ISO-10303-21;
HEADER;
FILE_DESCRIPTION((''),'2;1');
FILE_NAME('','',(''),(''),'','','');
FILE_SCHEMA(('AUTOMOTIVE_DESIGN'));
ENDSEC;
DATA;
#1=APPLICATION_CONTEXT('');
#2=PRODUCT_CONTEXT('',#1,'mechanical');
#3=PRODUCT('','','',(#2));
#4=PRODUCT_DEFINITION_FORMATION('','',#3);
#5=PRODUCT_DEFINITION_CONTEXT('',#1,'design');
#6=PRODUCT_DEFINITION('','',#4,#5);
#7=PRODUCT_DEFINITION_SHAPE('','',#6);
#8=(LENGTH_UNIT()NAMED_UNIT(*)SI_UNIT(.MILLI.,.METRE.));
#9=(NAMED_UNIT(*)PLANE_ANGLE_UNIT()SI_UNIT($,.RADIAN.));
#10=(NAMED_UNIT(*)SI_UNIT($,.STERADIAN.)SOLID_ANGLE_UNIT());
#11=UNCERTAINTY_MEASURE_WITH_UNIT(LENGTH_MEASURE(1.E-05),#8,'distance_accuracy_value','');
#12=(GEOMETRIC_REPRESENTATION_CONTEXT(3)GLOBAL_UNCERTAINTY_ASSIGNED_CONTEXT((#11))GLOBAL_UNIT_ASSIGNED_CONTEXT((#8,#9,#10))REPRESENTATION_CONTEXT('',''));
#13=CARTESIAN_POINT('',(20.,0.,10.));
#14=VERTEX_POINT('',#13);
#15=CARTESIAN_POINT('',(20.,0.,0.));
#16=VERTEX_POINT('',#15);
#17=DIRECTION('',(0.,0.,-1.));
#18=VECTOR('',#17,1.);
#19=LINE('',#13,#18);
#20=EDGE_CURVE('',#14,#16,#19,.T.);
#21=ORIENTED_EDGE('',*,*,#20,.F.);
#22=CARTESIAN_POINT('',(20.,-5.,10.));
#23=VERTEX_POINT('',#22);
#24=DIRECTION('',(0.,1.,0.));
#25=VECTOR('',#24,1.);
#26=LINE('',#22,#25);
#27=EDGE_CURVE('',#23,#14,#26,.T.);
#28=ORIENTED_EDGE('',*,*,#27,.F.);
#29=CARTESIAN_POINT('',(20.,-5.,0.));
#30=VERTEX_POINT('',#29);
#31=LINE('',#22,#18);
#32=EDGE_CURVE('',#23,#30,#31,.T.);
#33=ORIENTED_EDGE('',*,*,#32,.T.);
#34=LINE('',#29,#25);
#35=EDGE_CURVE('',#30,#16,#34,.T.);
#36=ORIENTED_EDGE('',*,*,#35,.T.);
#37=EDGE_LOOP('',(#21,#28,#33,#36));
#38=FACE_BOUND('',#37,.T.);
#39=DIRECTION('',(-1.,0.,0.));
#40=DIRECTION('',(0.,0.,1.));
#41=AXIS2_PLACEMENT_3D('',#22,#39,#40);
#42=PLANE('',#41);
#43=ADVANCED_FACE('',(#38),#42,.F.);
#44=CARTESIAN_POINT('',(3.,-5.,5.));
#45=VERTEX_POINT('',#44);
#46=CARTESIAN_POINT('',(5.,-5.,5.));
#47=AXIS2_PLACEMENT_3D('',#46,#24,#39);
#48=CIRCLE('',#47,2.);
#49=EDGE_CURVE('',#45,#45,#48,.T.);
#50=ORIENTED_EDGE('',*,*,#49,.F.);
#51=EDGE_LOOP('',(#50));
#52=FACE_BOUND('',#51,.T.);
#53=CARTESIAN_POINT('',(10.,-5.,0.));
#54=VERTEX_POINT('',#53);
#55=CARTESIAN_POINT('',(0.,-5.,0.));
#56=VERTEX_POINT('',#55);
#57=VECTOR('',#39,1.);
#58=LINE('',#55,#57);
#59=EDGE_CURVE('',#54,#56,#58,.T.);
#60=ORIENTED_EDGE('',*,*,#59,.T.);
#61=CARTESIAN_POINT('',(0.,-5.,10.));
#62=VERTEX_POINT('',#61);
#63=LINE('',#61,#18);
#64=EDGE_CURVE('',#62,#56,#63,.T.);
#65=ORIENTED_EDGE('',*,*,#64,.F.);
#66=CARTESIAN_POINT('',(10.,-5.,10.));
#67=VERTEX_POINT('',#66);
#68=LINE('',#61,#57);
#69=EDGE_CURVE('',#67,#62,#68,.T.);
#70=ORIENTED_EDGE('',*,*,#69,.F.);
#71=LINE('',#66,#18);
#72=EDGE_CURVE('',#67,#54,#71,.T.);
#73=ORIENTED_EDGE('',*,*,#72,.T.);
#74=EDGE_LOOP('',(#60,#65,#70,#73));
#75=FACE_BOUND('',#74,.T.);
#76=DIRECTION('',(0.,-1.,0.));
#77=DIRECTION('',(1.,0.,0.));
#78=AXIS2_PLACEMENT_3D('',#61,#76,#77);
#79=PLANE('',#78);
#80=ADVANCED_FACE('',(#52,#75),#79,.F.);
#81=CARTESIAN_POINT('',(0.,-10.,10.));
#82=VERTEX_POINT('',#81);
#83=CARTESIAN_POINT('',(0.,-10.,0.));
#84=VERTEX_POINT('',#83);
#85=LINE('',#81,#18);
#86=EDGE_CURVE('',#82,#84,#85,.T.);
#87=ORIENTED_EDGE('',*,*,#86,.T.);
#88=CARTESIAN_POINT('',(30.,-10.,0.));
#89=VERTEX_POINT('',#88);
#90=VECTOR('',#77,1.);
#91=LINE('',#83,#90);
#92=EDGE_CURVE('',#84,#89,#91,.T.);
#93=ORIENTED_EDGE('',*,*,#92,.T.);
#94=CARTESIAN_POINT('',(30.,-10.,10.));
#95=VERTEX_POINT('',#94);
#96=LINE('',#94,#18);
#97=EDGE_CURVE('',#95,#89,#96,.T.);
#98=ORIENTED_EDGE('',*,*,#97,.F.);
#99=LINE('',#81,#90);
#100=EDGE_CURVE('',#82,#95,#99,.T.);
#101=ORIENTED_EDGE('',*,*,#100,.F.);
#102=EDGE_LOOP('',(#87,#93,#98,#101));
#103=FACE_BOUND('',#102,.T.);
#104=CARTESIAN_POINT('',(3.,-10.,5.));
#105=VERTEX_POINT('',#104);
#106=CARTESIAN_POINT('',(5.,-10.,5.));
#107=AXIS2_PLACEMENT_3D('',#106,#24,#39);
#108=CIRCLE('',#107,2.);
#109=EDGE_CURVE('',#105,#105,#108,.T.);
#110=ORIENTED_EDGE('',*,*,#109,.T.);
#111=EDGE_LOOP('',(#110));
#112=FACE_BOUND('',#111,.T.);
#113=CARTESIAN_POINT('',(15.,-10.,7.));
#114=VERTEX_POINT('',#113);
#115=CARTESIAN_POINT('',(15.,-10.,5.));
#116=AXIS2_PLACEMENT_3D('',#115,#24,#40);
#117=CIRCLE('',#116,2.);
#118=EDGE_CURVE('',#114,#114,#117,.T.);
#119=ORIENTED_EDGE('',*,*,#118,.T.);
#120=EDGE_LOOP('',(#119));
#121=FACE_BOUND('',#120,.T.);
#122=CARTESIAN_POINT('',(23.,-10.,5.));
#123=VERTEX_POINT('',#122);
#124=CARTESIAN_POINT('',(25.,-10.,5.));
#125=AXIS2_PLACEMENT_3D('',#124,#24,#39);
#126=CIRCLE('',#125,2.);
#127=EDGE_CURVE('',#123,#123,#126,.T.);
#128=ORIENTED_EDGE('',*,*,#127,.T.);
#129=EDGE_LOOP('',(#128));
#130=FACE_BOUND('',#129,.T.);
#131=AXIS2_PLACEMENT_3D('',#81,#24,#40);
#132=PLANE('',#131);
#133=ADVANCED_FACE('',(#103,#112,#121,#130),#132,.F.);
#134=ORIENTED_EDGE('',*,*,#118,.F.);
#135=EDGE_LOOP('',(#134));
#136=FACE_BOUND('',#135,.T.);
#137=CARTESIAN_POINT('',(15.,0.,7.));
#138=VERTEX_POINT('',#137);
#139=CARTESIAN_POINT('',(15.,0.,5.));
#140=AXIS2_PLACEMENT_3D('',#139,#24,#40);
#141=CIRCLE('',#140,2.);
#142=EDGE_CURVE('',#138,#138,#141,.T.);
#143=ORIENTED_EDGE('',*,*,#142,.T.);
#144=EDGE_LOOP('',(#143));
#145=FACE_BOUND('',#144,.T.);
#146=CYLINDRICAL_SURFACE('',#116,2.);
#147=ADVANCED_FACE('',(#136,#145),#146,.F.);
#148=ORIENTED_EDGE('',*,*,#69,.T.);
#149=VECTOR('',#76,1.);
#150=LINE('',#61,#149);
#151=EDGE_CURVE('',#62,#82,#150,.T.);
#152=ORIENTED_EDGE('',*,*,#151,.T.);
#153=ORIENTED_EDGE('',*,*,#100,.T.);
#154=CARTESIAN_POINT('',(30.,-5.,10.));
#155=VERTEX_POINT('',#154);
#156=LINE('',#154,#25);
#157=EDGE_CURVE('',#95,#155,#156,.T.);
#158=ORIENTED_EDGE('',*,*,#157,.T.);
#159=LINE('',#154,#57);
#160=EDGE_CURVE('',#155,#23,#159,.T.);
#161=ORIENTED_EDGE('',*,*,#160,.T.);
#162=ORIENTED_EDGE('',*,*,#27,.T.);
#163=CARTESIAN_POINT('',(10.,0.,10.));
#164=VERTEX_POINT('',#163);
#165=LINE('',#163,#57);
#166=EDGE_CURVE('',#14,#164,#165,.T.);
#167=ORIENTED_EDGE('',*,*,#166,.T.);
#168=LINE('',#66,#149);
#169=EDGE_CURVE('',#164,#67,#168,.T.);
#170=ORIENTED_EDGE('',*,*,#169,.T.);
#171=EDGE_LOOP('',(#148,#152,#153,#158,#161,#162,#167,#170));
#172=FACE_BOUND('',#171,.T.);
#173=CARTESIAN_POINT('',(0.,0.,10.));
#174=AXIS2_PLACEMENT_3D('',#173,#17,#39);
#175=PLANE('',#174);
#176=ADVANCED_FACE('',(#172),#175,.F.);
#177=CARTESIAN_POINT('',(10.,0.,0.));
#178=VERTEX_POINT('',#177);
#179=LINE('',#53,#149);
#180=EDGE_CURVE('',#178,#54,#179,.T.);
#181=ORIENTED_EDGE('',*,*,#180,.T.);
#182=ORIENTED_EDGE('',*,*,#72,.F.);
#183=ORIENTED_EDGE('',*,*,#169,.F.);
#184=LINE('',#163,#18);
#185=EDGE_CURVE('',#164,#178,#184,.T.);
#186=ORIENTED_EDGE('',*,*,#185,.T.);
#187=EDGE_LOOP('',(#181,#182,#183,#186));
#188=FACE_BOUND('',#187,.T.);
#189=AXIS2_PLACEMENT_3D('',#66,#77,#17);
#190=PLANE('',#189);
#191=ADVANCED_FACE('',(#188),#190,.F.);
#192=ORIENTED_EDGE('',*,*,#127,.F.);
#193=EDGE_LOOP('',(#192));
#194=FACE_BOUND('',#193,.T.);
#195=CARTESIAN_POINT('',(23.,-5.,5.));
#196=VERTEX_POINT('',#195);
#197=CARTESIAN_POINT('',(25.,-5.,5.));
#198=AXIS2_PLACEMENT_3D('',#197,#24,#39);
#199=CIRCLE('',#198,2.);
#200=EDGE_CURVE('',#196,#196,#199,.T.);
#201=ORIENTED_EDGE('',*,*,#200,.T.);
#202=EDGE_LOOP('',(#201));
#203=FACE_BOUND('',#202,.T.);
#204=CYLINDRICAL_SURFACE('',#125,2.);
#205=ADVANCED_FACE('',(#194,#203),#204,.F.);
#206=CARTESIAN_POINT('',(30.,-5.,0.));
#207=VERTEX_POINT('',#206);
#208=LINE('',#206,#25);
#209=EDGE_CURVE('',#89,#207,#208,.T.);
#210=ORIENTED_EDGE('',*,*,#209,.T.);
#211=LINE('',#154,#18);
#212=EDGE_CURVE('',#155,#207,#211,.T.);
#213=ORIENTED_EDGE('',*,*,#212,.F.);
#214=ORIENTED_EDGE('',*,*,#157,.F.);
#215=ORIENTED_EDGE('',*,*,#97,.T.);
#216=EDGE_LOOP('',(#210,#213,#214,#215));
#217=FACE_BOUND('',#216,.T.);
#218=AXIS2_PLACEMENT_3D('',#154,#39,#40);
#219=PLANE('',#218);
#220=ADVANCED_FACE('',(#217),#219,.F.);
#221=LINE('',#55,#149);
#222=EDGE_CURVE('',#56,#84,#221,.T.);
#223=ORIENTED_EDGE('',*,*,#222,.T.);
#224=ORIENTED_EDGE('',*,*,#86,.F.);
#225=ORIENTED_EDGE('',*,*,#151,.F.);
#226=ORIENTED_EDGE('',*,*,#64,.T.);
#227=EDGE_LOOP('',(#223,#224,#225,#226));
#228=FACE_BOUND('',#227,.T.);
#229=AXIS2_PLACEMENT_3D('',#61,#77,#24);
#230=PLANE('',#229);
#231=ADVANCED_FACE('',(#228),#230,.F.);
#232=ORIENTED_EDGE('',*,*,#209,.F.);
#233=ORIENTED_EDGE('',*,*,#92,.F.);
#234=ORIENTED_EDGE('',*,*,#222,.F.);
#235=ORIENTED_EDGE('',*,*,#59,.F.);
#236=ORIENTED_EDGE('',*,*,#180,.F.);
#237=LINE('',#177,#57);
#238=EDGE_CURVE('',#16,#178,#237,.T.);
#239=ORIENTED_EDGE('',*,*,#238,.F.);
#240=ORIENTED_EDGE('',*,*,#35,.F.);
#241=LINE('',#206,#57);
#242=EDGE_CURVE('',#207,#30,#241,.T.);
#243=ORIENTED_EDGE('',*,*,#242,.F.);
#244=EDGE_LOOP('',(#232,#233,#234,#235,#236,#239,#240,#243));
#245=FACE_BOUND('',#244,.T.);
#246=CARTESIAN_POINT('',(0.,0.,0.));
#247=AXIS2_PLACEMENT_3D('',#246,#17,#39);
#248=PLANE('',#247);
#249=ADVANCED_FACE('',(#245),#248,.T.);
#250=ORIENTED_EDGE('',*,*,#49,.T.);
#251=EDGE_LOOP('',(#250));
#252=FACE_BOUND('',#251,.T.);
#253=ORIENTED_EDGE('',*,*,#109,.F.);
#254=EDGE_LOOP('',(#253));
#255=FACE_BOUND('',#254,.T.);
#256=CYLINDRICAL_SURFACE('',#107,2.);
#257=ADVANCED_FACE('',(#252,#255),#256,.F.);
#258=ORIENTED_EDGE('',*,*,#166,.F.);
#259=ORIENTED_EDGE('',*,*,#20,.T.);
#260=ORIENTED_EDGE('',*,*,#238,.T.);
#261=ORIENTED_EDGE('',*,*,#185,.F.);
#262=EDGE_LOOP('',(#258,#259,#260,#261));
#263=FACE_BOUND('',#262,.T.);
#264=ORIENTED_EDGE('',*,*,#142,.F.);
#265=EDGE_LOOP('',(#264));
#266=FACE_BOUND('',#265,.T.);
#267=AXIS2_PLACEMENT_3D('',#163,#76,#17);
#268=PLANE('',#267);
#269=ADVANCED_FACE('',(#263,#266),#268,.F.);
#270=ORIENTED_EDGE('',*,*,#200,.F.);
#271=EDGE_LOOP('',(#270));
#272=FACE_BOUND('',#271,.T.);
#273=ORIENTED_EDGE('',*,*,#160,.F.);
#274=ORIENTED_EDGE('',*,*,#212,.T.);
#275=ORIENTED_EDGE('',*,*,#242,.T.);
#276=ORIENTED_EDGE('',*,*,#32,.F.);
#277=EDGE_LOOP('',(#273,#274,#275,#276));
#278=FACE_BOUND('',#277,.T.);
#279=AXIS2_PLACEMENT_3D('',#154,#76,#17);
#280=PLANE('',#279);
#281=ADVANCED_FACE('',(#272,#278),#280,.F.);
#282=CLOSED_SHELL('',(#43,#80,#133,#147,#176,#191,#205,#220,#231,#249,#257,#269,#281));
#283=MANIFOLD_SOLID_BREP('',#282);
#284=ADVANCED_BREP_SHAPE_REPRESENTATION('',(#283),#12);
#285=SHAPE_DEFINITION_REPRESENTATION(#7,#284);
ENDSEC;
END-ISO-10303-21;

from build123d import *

# Parameters (mm, degrees)
BOSS_EXTRUDE1_DEPTH = 10
SKETCH2_R           = 2
CUT_EXTRUDE1_DEPTH  = 34.166247904
SKETCH3_R           = 2
CUT_EXTRUDE2_DEPTH  = 33.015621187


with BuildPart() as part:
    # Sketch1 → Boss-Extrude1 (new body)
    with BuildSketch(Plane.XY):
        Polygon((10, 0), (20, 0), (20, -5), (30, -5), (30, -10), (0, -10), (0, -5), (10, -5), align=None)
    extrude(amount=BOSS_EXTRUDE1_DEPTH)

    # Sketch2 → Cut-Extrude1 (cut, through all)
    with BuildSketch(Plane(origin=(0, 0, 0), x_dir=(1, 0, 0), z_dir=(0, 1, 0))):
        with Locations(Location((15, -5, 0), (0, 0, 270))):
            Circle(SKETCH2_R)
    extrude(amount=-CUT_EXTRUDE1_DEPTH, mode=Mode.SUBTRACT)

    # Sketch3 → Cut-Extrude2 (cut, through all)
    with BuildSketch(Plane(origin=(0, -5, 0), x_dir=(1, 0, 0), z_dir=(0, 1, 0))):
        with Locations(Location((5, -5, 0), (0, 0, 180))):
            Circle(SKETCH3_R)
        with Locations(Location((25, -5, 0), (0, 0, 180))):
            Circle(SKETCH3_R)
    extrude(amount=-CUT_EXTRUDE2_DEPTH, mode=Mode.SUBTRACT)


solid = part.part
